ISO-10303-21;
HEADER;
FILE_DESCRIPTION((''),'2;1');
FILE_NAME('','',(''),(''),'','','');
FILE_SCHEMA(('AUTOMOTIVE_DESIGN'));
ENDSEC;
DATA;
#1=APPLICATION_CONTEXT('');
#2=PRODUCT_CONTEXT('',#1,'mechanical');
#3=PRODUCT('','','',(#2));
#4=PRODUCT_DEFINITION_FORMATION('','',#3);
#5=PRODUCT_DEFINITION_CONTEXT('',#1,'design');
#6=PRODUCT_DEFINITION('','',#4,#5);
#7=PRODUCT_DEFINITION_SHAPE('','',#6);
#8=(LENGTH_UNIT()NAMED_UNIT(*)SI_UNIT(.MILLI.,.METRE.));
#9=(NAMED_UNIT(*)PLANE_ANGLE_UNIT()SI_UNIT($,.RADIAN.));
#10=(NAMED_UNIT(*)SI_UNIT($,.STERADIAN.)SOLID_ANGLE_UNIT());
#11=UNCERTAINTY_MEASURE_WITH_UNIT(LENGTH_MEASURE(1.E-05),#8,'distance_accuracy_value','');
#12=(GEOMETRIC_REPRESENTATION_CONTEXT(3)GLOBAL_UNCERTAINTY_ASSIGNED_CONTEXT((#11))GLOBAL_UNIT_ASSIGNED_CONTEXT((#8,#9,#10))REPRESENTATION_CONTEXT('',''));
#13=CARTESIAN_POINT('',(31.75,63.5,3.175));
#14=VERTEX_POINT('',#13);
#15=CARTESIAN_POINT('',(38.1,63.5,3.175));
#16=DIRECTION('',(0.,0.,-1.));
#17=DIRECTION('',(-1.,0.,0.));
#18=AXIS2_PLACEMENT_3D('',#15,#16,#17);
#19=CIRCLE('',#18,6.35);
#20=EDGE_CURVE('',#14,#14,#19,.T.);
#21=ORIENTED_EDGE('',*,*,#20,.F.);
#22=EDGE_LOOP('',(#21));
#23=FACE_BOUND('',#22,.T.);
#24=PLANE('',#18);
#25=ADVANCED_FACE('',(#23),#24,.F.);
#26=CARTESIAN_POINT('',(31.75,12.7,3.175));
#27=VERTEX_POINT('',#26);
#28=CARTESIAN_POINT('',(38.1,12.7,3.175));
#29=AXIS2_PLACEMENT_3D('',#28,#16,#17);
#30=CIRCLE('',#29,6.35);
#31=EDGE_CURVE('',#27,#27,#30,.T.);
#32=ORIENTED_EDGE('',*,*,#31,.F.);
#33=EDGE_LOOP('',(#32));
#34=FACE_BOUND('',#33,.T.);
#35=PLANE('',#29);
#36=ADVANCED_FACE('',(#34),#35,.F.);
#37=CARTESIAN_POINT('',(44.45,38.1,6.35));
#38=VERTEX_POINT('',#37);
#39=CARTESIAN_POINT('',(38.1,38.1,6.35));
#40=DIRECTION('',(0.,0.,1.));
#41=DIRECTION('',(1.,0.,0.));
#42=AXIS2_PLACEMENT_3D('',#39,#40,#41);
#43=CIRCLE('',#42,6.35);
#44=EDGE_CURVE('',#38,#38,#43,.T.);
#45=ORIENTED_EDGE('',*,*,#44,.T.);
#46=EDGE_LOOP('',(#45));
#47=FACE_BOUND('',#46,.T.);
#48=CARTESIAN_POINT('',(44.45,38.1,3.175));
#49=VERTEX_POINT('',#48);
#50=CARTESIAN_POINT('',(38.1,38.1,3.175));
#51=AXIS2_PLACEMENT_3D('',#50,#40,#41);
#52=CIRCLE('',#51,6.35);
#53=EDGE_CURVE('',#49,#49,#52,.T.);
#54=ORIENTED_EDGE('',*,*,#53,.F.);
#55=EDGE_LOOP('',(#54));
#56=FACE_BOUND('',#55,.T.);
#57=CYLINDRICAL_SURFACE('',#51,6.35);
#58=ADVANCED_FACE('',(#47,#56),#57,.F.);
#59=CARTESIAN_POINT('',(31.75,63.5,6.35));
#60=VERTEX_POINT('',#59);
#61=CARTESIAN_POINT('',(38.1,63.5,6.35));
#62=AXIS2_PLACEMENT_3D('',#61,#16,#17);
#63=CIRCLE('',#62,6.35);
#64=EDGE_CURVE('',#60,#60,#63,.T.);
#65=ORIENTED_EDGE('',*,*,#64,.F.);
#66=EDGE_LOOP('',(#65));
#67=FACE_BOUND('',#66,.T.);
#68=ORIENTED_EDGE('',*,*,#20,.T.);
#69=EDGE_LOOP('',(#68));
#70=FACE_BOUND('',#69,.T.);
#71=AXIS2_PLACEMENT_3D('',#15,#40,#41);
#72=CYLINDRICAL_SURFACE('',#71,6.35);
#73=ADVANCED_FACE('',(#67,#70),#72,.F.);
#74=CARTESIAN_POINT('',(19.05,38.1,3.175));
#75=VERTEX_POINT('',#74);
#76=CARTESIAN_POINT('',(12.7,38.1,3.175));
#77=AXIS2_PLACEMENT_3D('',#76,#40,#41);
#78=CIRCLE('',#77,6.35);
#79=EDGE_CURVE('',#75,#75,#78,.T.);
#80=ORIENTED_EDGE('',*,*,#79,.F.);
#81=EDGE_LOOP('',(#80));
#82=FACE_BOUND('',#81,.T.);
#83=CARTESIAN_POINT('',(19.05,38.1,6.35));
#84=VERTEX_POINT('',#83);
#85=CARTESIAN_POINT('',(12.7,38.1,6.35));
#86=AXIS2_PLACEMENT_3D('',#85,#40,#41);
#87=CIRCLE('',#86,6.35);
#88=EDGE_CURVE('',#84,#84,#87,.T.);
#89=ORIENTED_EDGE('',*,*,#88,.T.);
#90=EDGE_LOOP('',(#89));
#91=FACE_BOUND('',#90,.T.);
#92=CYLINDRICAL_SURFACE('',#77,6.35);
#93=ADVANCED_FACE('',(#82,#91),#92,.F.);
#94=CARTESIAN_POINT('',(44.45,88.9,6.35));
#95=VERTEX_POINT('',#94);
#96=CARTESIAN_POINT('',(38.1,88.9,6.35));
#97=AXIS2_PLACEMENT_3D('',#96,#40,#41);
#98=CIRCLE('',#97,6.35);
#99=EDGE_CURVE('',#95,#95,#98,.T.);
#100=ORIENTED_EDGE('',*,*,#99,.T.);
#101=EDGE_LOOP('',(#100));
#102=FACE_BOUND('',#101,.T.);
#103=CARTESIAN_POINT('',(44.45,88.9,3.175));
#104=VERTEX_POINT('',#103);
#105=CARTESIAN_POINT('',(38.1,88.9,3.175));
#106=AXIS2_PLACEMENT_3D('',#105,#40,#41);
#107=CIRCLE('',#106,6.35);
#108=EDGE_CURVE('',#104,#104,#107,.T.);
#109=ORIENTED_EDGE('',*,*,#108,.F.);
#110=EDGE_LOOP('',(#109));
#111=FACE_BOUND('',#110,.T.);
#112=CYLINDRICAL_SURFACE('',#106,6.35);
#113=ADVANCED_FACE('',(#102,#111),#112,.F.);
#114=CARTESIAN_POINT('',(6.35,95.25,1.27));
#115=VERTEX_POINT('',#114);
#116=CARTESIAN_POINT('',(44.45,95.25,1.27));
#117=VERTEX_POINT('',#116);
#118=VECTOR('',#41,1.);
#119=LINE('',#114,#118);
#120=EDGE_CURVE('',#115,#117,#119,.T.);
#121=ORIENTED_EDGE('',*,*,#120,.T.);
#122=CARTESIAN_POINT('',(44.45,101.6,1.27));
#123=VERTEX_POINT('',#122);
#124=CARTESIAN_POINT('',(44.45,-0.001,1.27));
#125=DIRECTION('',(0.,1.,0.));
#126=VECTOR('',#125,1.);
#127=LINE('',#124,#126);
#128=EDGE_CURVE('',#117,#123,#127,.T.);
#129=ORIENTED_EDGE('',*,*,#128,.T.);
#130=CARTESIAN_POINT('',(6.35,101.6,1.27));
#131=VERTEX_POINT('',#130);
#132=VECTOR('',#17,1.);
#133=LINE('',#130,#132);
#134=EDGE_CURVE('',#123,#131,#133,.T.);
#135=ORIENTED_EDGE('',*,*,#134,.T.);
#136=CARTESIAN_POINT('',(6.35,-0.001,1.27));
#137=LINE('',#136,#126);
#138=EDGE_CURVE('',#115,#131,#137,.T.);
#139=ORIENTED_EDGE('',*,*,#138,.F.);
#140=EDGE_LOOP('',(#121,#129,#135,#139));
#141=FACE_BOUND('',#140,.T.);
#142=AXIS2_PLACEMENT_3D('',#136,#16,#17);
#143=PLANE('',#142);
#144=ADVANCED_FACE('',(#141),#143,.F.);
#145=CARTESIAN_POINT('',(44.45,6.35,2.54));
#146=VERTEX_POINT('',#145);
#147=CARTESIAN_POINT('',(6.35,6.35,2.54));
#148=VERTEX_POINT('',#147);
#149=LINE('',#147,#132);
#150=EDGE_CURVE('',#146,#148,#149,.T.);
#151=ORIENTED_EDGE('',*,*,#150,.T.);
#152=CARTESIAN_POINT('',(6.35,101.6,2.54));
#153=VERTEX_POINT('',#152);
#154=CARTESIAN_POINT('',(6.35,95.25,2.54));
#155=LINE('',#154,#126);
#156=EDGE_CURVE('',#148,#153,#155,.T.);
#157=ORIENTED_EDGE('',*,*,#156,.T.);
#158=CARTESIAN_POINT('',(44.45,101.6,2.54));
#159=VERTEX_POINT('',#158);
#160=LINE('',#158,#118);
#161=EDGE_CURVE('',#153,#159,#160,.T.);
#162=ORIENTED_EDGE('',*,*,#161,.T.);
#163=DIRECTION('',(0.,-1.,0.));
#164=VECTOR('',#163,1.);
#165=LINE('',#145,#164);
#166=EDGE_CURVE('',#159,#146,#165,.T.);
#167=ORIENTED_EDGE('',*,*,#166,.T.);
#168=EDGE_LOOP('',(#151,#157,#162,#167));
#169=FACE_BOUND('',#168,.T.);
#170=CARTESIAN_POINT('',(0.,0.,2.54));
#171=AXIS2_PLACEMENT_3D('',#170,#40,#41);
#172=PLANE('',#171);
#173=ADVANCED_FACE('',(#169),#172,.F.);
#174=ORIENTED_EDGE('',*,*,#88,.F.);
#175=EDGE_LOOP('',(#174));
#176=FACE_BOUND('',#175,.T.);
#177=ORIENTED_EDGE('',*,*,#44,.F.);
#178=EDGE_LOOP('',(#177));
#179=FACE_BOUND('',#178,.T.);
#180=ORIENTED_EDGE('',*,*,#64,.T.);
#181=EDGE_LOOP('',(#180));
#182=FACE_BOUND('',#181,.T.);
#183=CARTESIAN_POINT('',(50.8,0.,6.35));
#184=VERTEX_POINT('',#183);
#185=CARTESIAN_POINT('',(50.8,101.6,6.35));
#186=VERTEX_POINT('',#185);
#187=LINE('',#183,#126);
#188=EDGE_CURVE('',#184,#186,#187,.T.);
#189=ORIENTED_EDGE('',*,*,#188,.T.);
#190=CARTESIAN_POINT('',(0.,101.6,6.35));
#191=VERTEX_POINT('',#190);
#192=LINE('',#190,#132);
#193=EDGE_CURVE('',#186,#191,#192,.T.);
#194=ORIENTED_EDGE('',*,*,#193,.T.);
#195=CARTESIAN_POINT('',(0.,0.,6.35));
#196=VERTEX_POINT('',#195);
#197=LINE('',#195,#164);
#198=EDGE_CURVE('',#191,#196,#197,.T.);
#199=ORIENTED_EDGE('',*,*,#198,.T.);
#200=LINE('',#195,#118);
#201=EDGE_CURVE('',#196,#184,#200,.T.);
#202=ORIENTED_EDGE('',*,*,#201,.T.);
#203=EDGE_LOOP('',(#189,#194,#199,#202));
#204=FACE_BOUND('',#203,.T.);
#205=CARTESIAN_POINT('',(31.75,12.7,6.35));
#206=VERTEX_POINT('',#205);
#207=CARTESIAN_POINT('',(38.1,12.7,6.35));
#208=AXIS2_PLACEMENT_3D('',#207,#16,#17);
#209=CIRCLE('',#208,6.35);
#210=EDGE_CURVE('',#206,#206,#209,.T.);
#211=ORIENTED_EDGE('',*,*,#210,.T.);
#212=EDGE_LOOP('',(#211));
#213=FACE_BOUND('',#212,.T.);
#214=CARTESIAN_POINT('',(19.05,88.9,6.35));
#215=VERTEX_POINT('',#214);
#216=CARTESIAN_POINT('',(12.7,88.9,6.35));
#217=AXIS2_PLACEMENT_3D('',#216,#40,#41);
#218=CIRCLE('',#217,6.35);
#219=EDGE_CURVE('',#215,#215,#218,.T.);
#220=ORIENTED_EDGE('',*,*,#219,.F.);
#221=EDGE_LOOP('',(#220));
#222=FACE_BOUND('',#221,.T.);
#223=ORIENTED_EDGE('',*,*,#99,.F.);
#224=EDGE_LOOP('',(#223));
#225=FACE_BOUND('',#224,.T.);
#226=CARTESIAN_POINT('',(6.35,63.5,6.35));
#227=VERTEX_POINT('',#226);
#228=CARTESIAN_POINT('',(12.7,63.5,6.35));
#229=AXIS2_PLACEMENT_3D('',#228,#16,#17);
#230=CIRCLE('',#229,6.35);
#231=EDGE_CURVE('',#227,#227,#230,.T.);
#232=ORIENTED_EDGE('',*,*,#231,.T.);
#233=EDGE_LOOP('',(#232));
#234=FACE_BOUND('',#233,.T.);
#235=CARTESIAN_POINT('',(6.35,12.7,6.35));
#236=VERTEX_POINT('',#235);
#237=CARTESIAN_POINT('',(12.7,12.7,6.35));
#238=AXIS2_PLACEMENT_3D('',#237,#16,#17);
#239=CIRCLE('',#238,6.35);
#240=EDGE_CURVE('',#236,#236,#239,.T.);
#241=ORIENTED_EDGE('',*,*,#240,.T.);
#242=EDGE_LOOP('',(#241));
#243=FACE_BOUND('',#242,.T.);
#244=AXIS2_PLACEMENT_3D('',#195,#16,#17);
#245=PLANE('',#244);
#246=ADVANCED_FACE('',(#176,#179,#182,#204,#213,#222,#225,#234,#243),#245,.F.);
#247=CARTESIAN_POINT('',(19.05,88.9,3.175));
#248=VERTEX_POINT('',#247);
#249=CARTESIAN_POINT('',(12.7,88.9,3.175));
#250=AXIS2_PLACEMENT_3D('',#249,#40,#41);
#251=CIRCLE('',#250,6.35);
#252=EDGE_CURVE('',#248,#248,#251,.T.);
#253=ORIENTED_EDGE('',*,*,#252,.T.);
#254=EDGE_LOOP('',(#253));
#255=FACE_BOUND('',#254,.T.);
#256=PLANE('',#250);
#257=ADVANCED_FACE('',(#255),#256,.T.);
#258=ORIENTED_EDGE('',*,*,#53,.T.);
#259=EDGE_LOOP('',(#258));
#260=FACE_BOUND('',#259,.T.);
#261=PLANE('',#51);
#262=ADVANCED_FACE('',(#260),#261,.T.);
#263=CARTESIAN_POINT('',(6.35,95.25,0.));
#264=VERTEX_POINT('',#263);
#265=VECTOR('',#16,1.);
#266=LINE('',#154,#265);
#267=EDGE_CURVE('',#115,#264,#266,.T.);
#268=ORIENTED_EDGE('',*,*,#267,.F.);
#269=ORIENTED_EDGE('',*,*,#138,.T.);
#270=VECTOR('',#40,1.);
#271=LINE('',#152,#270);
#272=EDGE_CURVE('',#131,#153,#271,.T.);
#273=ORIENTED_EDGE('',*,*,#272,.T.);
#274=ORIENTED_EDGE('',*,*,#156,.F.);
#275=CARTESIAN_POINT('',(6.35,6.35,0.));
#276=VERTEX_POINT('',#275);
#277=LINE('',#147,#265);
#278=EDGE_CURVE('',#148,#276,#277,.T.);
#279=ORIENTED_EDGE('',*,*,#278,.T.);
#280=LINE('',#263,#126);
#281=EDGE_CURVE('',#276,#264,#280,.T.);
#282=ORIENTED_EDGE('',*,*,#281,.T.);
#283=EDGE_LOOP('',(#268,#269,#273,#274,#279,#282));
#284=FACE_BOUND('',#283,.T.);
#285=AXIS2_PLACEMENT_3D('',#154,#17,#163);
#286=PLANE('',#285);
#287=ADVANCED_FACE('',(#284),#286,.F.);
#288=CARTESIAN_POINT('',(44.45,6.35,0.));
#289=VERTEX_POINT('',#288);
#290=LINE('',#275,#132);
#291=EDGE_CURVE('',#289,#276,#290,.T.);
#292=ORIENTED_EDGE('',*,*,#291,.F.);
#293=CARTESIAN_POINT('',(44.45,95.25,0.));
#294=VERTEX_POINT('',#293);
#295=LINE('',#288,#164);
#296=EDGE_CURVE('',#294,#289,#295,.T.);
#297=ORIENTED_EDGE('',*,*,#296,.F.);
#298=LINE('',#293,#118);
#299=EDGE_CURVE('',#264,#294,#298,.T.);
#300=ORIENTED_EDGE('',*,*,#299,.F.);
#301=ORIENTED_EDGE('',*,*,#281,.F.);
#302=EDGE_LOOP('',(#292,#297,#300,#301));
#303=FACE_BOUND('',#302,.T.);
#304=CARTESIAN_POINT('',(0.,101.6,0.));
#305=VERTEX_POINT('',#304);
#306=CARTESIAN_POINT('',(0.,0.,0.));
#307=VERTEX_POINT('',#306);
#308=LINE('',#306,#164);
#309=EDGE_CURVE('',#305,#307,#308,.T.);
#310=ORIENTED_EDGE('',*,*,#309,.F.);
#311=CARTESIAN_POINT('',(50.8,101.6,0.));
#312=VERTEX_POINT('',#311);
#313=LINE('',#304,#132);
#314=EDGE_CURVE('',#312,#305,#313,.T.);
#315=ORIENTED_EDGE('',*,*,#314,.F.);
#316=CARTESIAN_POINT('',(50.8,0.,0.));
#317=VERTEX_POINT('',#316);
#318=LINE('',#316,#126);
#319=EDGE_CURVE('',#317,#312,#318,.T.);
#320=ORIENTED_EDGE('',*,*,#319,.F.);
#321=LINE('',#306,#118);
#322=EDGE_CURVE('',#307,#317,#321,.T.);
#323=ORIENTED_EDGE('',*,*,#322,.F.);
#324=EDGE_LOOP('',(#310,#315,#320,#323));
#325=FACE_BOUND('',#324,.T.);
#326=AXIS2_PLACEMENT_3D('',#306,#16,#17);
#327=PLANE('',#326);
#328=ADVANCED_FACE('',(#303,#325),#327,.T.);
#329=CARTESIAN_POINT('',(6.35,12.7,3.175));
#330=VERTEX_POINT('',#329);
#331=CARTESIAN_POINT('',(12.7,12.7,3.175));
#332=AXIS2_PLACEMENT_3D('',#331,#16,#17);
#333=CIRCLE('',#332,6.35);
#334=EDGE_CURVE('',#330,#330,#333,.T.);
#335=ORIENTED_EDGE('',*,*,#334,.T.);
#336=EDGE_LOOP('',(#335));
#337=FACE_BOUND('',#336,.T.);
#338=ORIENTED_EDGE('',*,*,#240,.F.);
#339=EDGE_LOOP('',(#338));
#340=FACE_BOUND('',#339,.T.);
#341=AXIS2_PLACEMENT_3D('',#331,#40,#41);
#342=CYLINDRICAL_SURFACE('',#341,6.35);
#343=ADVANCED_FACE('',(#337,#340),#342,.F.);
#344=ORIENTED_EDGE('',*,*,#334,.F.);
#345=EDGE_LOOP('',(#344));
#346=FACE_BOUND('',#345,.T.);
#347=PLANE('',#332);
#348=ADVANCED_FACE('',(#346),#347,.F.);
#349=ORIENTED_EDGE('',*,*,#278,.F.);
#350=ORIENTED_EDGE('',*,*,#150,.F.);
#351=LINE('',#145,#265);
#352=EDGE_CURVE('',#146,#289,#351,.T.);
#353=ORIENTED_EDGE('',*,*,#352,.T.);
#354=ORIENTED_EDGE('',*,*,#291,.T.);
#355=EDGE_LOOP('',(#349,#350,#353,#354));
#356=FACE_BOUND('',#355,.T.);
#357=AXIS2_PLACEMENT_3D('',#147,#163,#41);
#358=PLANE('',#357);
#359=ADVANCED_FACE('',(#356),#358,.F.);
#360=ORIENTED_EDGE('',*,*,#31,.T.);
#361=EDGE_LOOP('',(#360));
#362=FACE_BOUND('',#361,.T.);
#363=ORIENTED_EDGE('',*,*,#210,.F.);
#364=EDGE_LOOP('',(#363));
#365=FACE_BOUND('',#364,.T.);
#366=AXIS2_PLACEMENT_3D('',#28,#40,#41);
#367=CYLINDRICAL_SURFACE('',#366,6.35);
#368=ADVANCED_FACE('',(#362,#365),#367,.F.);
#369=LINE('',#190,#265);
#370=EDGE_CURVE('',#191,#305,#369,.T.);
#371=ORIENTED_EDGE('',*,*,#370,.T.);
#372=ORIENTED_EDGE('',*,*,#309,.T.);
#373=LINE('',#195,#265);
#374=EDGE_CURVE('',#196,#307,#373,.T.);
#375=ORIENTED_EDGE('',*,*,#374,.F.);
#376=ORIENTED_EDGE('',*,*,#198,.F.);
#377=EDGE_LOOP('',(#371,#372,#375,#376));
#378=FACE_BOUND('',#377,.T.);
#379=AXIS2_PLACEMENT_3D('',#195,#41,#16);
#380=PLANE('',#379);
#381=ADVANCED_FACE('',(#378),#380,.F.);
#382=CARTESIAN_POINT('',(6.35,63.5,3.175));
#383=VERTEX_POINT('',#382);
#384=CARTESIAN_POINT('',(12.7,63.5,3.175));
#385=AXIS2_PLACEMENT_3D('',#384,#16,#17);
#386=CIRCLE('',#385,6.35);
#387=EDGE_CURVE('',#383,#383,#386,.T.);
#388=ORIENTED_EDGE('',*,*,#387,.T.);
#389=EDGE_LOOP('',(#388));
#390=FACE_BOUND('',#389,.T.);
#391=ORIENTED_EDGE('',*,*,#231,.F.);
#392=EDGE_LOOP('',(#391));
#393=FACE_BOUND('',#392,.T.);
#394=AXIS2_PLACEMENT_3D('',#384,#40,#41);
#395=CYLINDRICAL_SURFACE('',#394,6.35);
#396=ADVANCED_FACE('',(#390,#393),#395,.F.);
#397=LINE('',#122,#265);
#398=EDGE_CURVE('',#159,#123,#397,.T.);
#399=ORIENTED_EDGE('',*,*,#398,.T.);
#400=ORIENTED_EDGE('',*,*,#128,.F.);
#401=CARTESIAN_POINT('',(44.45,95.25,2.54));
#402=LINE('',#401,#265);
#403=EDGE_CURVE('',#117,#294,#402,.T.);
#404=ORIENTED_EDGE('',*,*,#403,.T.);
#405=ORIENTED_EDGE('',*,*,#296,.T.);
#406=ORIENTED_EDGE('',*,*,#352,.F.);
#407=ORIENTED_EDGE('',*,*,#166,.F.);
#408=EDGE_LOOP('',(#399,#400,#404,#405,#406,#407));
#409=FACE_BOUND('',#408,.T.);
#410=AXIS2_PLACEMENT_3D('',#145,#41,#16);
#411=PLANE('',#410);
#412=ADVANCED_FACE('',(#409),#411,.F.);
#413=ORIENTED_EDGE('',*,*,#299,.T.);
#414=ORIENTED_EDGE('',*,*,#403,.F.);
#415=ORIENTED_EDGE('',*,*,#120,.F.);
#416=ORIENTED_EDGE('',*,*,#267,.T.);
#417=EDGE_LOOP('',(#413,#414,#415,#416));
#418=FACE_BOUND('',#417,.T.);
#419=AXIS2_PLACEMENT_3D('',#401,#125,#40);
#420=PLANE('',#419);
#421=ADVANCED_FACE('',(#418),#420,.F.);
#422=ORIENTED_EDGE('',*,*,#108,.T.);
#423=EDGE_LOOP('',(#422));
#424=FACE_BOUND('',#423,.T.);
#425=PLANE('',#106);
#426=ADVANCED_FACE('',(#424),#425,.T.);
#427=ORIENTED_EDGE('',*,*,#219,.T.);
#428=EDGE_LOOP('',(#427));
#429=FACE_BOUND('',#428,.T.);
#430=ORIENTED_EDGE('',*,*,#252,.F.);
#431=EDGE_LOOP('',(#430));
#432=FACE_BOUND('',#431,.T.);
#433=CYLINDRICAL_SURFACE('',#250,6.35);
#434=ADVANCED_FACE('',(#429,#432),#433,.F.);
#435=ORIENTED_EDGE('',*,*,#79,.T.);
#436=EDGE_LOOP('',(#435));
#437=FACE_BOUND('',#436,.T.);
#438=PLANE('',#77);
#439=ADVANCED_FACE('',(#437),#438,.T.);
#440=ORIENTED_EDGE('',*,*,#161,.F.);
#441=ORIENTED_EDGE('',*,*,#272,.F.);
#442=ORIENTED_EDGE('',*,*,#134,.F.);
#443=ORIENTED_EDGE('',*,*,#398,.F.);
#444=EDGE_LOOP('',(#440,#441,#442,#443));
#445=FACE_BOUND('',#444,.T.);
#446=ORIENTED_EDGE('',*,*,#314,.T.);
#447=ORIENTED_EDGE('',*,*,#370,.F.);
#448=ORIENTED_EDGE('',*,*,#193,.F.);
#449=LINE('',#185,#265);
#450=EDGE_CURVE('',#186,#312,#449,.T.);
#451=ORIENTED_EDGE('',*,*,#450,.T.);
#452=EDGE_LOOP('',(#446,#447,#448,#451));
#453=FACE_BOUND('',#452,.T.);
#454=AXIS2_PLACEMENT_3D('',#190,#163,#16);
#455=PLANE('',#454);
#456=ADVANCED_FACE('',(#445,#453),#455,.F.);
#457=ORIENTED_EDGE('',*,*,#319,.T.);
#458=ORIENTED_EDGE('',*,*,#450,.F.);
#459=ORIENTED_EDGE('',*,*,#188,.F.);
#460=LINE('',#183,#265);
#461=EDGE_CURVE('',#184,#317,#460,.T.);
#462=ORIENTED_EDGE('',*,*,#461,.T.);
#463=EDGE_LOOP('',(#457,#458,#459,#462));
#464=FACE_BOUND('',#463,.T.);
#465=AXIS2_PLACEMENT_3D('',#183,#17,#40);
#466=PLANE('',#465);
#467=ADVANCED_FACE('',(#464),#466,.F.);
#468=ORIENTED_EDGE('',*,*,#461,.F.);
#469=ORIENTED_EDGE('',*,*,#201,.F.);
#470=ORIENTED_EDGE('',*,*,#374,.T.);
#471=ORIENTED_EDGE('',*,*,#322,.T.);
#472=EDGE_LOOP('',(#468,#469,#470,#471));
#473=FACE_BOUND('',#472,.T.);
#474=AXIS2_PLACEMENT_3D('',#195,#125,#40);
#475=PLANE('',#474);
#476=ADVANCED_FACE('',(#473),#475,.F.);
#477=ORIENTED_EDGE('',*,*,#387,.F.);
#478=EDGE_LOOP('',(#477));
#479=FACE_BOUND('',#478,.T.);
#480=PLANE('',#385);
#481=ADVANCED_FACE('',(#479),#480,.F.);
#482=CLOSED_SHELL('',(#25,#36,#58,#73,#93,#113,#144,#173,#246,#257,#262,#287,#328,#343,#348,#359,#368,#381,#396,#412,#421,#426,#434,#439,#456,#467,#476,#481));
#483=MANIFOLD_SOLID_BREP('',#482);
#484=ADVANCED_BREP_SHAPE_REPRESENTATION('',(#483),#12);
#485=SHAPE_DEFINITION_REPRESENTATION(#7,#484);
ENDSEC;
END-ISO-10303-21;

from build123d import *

# Parameters (mm, degrees)
SKETCH1_W           = 50.8
SKETCH1_H           = 101.6
BOSS_EXTRUDE1_DEPTH = 6.35
SKETCH3_R           = 6.35
SKETCH3_R_2         = 2.54
CUT_EXTRUDE2_DEPTH  = 3.175
SKETCH4_W           = 38.1
SKETCH4_H           = 88.9
CUT_EXTRUDE3_DEPTH  = 2.54
CUT_EXTRUDE4_REACH  = 115.77
SKETCH5_W           = 38.1
SKETCH5_H           = 1.27


with BuildPart() as part:
    # Sketch1 → Boss-Extrude1 (new body)
    with BuildSketch(Plane.XY):
        with Locations((25.4, 50.8)):
            Rectangle(SKETCH1_W, SKETCH1_H)
    extrude(amount=BOSS_EXTRUDE1_DEPTH)

    # Sketch3 → Cut-Extrude2 (cut)
    with BuildSketch(Plane.XY.offset(6.35)):
        with Locations((12.7, 139.7)):
            Circle(SKETCH3_R)
        with Locations((38.1, 139.7)):
            Circle(SKETCH3_R)
        with Locations((63.5, 139.7)):
            Circle(SKETCH3_R_2)
        with Locations((88.9, 139.7)):
            Circle(SKETCH3_R_2)
        with Locations((88.9, 114.3)):
            Circle(SKETCH3_R_2)
        with Locations((63.5, 114.3)):
            Circle(SKETCH3_R_2)
        with Locations((38.1, 114.3)):
            Circle(SKETCH3_R)
        with Locations((12.7, 114.3)):
            Circle(SKETCH3_R)
        with Locations((88.9, 88.9)):
            Circle(SKETCH3_R_2)
        with Locations((63.5, 88.9)):
            Circle(SKETCH3_R_2)
        with Locations((38.1, 88.9)):
            Circle(SKETCH3_R)
        with Locations((12.7, 88.9)):
            Circle(SKETCH3_R)
        with Locations((88.9, 63.5)):
            Circle(SKETCH3_R_2)
        with Locations((63.5, 63.5)):
            Circle(SKETCH3_R_2)
        with Locations(Location((38.1, 63.5, 0), (0, 0, 180))):
            Circle(SKETCH3_R)
        with Locations(Location((12.7, 63.5, 0), (0, 0, 180))):
            Circle(SKETCH3_R)
        with Locations((88.9, 38.1)):
            Circle(SKETCH3_R_2)
        with Locations((63.5, 38.1)):
            Circle(SKETCH3_R_2)
        with Locations((38.1, 38.1)):
            Circle(SKETCH3_R)
        with Locations((12.7, 38.1)):
            Circle(SKETCH3_R)
        with Locations((88.9, 12.7)):
            Circle(SKETCH3_R_2)
        with Locations((63.5, 12.7)):
            Circle(SKETCH3_R_2)
        with Locations(Location((38.1, 12.7, 0), (0, 0, 180))):
            Circle(SKETCH3_R)
        with Locations(Location((12.7, 12.7, 0), (0, 0, 180))):
            Circle(SKETCH3_R)
    extrude(amount=-CUT_EXTRUDE2_DEPTH, mode=Mode.SUBTRACT)

    # Sketch4 → Cut-Extrude3 (cut)
    with BuildSketch(Plane(origin=(0, 0, 0), x_dir=(-1, 0, 0), z_dir=(0, 0, -1))):
        with Locations((-25.4, 50.8)):
            Rectangle(SKETCH4_W, SKETCH4_H)
    extrude(amount=-CUT_EXTRUDE3_DEPTH, mode=Mode.SUBTRACT)

    # Sketch5 → Cut-Extrude4 (cut, up to next)
    with BuildSketch(Plane(origin=(0, 101.6, 0), x_dir=(1, 0, 0), z_dir=(0, 1, 0)), mode=Mode.PRIVATE) as cut_extrude4_sk1:
        with Locations((25.4, -1.905)):
            Rectangle(SKETCH5_W, SKETCH5_H)
    cut_extrude4_tool1 = extrude(cut_extrude4_sk1.sketch, amount=-CUT_EXTRUDE4_REACH, mode=Mode.PRIVATE) & part.part
    add(cut_extrude4_tool1.solids().sort_by_distance((25.4, 101.6, 1.905))[0], mode=Mode.SUBTRACT)


solid = part.part
